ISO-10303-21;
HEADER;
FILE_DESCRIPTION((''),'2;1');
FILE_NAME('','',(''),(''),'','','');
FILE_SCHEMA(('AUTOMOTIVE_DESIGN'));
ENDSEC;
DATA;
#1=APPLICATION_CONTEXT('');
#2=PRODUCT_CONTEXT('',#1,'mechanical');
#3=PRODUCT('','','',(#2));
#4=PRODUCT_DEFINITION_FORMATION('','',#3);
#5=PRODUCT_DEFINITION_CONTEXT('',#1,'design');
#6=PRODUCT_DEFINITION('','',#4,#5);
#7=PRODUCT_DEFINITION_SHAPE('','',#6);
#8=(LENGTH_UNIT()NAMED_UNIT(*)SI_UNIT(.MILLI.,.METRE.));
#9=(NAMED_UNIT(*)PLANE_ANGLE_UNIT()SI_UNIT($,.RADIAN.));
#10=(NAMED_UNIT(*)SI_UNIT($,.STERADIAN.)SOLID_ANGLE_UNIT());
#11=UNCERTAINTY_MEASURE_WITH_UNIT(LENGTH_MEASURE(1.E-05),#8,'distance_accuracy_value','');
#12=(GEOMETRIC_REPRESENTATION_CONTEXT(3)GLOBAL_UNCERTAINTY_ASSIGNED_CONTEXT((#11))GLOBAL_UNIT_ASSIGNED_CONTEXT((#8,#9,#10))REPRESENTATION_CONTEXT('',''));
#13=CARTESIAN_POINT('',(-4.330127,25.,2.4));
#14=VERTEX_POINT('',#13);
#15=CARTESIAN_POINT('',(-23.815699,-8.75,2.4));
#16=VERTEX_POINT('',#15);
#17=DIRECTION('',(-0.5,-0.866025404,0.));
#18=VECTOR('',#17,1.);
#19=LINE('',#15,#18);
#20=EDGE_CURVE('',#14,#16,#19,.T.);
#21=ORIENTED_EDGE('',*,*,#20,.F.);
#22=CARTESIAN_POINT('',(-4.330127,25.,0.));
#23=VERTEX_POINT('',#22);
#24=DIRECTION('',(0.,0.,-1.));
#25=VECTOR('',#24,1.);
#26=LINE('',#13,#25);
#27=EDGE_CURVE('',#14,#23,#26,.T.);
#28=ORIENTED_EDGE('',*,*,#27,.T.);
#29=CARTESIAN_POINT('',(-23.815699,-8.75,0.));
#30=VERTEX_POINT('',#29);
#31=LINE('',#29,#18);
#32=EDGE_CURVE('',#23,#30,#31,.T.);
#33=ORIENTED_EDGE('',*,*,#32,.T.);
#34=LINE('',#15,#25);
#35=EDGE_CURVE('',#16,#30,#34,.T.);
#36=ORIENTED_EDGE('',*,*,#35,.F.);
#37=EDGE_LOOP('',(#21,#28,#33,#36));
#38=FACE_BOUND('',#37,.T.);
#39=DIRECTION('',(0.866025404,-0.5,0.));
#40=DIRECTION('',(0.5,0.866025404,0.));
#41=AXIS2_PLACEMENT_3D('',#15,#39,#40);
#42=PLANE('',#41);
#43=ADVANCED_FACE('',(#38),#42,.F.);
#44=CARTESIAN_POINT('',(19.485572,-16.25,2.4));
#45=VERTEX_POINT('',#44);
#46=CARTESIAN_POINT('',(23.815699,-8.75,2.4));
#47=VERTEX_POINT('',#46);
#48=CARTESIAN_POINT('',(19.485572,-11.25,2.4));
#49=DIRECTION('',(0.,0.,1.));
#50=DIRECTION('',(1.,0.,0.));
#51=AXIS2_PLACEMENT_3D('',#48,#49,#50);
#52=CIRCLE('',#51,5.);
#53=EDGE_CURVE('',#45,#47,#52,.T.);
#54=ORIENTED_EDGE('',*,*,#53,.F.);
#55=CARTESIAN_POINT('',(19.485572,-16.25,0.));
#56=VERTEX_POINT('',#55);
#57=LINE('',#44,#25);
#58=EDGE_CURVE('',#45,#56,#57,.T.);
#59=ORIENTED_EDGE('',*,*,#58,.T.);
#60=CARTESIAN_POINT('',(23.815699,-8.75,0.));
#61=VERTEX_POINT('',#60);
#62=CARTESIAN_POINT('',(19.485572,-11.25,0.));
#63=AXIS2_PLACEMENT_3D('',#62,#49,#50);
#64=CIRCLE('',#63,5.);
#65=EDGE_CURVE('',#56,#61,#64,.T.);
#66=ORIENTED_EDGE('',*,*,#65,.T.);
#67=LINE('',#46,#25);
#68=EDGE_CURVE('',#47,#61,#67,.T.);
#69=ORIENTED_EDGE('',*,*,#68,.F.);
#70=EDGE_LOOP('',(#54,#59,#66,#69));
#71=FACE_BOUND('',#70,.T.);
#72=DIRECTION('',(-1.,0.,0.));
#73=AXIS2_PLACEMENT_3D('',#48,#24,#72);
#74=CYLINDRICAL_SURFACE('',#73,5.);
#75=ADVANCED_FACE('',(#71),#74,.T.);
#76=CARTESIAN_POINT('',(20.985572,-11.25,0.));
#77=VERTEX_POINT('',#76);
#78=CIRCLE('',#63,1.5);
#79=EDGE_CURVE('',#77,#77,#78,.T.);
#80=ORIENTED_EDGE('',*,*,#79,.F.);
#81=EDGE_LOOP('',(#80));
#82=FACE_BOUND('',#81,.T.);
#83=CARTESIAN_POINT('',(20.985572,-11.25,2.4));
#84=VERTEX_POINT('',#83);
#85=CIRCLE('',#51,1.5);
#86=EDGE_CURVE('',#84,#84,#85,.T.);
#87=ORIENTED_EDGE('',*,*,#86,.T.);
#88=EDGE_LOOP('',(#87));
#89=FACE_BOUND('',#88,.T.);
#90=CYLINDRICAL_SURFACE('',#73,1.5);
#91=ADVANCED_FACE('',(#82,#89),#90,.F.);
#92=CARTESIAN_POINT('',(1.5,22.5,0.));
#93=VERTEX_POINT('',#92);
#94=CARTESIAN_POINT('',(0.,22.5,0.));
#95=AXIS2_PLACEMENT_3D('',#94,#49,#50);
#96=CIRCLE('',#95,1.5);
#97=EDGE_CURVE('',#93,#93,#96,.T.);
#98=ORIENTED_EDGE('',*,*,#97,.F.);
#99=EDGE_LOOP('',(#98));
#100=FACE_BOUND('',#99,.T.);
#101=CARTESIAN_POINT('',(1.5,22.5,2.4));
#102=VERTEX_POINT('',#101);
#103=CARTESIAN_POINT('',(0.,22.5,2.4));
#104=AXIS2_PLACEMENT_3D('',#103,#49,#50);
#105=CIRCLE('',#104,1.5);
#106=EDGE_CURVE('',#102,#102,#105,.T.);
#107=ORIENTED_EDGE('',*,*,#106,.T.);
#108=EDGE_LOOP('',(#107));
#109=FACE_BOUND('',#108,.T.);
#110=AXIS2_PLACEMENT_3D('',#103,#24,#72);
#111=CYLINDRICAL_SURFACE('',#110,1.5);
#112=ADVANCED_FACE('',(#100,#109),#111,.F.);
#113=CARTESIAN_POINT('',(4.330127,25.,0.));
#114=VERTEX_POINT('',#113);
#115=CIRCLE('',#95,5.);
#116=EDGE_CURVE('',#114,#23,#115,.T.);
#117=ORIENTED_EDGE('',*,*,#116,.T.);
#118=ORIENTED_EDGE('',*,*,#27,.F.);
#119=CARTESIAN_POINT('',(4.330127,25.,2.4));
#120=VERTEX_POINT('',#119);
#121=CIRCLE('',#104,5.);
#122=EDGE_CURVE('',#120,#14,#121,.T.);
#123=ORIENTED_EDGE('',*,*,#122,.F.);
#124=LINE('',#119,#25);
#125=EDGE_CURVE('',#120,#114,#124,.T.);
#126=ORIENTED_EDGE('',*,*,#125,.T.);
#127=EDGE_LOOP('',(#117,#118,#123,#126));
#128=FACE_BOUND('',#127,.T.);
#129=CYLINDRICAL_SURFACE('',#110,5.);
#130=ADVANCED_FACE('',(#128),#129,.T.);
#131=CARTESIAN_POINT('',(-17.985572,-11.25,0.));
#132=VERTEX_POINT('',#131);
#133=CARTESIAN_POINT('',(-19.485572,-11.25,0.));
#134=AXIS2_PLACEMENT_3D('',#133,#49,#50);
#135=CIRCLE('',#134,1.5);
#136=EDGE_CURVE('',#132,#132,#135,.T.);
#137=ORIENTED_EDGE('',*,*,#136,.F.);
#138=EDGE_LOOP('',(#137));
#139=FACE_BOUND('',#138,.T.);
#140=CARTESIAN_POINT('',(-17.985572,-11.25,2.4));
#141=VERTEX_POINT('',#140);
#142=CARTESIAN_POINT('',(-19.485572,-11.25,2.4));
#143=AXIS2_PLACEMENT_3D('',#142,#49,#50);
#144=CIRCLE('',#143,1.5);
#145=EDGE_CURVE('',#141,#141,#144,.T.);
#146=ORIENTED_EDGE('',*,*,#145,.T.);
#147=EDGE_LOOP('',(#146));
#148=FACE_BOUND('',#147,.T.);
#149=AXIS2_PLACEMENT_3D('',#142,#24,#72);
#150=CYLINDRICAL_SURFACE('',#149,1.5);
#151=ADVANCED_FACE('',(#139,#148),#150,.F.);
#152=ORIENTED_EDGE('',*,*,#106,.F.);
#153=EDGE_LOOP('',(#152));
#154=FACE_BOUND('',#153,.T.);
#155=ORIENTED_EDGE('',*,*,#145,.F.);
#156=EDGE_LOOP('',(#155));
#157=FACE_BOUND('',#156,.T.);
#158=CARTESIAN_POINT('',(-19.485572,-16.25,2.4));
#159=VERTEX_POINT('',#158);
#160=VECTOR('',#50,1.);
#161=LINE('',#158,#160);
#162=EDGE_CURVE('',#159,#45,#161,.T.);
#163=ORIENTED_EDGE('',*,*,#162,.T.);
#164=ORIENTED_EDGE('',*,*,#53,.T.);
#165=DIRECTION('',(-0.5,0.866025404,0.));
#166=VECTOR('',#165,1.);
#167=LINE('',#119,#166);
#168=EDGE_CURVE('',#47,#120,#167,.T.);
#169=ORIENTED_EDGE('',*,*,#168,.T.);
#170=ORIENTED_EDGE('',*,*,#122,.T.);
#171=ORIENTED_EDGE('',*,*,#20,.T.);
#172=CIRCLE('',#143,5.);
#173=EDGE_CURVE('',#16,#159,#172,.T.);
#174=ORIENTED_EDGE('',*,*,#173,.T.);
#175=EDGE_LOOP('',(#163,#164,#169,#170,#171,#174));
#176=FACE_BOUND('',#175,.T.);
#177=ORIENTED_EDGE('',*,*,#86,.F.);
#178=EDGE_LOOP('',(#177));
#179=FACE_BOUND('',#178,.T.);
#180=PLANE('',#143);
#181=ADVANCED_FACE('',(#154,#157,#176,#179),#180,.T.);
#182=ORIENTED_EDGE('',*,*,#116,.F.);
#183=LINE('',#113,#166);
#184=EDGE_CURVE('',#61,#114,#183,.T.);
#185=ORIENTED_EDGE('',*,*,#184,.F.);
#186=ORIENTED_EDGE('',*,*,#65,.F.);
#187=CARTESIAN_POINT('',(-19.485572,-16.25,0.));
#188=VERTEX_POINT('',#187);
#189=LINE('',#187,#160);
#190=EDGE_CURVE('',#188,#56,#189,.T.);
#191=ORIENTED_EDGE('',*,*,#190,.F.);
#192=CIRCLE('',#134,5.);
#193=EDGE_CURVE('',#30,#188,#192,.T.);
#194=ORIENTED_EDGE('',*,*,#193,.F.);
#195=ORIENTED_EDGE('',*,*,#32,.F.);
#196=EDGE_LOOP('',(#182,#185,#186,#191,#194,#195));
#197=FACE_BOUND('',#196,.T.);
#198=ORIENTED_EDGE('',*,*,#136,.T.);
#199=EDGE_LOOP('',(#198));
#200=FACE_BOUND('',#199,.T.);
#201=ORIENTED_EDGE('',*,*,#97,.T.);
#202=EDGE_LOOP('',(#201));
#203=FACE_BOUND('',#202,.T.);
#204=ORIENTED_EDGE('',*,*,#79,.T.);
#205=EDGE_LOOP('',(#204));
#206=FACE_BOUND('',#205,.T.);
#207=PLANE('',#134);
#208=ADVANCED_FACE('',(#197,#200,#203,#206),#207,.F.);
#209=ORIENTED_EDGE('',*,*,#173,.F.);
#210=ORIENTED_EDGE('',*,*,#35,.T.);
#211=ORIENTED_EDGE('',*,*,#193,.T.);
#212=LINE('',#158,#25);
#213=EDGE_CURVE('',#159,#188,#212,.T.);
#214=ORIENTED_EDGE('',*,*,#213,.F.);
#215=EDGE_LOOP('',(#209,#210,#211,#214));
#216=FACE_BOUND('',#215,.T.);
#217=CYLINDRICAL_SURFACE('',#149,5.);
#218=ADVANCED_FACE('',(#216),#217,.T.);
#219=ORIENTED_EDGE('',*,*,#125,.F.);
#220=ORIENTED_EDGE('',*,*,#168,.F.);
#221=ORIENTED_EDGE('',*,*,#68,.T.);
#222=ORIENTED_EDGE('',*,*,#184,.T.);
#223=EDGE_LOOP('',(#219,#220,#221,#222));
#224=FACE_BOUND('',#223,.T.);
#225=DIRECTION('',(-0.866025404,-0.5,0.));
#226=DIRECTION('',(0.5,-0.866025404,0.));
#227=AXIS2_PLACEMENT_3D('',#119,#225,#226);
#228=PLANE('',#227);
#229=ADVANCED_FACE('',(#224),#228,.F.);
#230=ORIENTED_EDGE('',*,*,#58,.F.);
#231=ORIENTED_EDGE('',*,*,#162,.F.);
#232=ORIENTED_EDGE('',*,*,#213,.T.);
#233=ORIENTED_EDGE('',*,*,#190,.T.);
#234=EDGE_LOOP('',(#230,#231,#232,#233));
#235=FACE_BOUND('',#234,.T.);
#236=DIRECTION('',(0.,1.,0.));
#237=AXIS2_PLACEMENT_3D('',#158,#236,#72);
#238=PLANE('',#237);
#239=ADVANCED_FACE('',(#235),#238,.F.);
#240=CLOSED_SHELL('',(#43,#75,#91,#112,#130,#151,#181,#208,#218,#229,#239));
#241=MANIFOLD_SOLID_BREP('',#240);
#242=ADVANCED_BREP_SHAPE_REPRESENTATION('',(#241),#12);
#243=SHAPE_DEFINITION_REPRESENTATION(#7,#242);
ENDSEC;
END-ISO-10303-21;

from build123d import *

# Parameters (mm, degrees)
SKETCH1_R           = 1.5
BOSS_EXTRUDE1_DEPTH = 2.4


with BuildPart() as part:
    # Sketch1 → Boss-Extrude1 (new body)
    with BuildSketch(Plane.XY):
        with BuildLine():
            Line((-23.815698604, -8.75), (-4.330127019, 25))
            ThreePointArc((-4.330127019, 25), (0, 27.5), (4.330127019, 25))
            Line((4.330127019, 25), (23.815698604, -8.75))
            ThreePointArc((23.815698604, -8.75), (23.815698604, -13.75), (19.485571585, -16.25))
            Line((19.485571585, -16.25), (-19.485571585, -16.25))
            ThreePointArc((-19.485571585, -16.25), (-23.815698604, -13.75), (-23.815698604, -8.75))
        make_face()
        with Locations((0, 22.5)):
            Circle(SKETCH1_R, mode=Mode.SUBTRACT)
        with Locations((19.485571585, -11.25)):
            Circle(SKETCH1_R, mode=Mode.SUBTRACT)
        with Locations((-19.485571585, -11.25)):
            Circle(SKETCH1_R, mode=Mode.SUBTRACT)
    extrude(amount=BOSS_EXTRUDE1_DEPTH)


solid = part.part
